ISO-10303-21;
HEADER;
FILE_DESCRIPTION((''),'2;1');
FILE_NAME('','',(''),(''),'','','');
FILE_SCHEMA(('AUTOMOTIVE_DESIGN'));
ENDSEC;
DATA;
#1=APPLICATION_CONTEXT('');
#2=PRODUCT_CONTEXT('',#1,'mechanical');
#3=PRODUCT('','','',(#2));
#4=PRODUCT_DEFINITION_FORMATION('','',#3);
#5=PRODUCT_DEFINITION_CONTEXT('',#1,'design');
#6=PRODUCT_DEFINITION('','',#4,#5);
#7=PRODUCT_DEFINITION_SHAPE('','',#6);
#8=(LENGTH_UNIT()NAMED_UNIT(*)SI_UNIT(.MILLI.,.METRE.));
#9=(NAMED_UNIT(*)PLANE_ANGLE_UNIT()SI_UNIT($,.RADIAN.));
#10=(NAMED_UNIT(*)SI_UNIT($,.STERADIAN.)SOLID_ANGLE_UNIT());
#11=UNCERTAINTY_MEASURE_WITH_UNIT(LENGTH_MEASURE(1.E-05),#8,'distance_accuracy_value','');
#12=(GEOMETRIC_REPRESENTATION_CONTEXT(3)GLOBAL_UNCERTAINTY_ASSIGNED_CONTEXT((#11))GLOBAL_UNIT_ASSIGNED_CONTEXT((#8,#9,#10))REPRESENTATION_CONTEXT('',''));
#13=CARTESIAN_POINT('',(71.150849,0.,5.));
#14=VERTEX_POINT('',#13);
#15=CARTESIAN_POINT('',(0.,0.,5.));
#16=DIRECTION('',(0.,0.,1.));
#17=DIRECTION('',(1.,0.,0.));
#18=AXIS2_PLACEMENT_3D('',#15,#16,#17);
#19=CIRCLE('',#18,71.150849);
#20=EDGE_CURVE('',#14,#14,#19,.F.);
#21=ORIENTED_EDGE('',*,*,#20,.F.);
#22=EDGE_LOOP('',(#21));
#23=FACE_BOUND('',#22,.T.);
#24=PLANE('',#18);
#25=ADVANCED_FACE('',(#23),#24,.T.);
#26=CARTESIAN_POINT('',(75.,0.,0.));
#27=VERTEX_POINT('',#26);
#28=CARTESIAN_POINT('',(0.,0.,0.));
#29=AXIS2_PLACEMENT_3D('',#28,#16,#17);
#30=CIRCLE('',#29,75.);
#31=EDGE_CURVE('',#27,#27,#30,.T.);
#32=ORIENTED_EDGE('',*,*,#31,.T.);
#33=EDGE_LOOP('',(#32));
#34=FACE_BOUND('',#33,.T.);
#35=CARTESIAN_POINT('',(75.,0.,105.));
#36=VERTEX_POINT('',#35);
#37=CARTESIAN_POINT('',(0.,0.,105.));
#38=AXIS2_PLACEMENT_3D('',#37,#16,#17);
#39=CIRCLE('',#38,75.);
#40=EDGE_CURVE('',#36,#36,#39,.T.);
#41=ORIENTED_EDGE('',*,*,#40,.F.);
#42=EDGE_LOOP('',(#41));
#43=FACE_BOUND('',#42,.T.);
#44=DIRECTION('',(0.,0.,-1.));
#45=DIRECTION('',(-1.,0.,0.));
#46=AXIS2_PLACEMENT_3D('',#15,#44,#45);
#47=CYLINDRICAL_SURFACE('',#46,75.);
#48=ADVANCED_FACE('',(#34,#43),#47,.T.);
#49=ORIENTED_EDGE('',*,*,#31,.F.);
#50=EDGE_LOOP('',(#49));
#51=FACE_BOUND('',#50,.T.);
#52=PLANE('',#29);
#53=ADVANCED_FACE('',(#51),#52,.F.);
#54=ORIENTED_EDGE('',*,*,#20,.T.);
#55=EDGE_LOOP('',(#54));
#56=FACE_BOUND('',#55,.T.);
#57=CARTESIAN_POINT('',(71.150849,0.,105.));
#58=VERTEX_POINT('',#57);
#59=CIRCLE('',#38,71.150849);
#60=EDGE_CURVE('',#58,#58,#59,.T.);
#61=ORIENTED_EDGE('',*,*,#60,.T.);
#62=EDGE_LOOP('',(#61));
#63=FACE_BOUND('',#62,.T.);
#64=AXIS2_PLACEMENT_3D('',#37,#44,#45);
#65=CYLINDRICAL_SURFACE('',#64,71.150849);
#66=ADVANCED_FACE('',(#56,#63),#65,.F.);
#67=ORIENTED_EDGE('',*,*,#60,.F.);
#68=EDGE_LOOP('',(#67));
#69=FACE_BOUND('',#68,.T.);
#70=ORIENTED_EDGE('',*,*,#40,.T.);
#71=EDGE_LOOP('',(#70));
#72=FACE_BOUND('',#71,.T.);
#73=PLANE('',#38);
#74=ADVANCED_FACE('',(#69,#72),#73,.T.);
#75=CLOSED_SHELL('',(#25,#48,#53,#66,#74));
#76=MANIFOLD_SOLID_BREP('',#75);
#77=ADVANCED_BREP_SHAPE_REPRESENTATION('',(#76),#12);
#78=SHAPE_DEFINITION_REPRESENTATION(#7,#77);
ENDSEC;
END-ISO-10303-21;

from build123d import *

# Parameters (mm, degrees)
ESQUISSE4_R        = 75
BOSS_EXTRU_3_DEPTH = 5
ESQUISSE5_R        = 75
ESQUISSE5_R_2      = 71.150849087
BOSS_EXTRU_4_DEPTH = 100


with BuildPart() as part:
    # Esquisse4 → Boss.-Extru.3 (new body)
    with BuildSketch(Plane.XY):
        Circle(ESQUISSE4_R)
    extrude(amount=BOSS_EXTRU_3_DEPTH)

    # Esquisse5 → Boss.-Extru.4 (add)
    with BuildSketch(Plane.XY.offset(5)):
        Circle(ESQUISSE5_R)
        Circle(ESQUISSE5_R_2, mode=Mode.SUBTRACT)
    extrude(amount=BOSS_EXTRU_4_DEPTH)


solid = part.part
